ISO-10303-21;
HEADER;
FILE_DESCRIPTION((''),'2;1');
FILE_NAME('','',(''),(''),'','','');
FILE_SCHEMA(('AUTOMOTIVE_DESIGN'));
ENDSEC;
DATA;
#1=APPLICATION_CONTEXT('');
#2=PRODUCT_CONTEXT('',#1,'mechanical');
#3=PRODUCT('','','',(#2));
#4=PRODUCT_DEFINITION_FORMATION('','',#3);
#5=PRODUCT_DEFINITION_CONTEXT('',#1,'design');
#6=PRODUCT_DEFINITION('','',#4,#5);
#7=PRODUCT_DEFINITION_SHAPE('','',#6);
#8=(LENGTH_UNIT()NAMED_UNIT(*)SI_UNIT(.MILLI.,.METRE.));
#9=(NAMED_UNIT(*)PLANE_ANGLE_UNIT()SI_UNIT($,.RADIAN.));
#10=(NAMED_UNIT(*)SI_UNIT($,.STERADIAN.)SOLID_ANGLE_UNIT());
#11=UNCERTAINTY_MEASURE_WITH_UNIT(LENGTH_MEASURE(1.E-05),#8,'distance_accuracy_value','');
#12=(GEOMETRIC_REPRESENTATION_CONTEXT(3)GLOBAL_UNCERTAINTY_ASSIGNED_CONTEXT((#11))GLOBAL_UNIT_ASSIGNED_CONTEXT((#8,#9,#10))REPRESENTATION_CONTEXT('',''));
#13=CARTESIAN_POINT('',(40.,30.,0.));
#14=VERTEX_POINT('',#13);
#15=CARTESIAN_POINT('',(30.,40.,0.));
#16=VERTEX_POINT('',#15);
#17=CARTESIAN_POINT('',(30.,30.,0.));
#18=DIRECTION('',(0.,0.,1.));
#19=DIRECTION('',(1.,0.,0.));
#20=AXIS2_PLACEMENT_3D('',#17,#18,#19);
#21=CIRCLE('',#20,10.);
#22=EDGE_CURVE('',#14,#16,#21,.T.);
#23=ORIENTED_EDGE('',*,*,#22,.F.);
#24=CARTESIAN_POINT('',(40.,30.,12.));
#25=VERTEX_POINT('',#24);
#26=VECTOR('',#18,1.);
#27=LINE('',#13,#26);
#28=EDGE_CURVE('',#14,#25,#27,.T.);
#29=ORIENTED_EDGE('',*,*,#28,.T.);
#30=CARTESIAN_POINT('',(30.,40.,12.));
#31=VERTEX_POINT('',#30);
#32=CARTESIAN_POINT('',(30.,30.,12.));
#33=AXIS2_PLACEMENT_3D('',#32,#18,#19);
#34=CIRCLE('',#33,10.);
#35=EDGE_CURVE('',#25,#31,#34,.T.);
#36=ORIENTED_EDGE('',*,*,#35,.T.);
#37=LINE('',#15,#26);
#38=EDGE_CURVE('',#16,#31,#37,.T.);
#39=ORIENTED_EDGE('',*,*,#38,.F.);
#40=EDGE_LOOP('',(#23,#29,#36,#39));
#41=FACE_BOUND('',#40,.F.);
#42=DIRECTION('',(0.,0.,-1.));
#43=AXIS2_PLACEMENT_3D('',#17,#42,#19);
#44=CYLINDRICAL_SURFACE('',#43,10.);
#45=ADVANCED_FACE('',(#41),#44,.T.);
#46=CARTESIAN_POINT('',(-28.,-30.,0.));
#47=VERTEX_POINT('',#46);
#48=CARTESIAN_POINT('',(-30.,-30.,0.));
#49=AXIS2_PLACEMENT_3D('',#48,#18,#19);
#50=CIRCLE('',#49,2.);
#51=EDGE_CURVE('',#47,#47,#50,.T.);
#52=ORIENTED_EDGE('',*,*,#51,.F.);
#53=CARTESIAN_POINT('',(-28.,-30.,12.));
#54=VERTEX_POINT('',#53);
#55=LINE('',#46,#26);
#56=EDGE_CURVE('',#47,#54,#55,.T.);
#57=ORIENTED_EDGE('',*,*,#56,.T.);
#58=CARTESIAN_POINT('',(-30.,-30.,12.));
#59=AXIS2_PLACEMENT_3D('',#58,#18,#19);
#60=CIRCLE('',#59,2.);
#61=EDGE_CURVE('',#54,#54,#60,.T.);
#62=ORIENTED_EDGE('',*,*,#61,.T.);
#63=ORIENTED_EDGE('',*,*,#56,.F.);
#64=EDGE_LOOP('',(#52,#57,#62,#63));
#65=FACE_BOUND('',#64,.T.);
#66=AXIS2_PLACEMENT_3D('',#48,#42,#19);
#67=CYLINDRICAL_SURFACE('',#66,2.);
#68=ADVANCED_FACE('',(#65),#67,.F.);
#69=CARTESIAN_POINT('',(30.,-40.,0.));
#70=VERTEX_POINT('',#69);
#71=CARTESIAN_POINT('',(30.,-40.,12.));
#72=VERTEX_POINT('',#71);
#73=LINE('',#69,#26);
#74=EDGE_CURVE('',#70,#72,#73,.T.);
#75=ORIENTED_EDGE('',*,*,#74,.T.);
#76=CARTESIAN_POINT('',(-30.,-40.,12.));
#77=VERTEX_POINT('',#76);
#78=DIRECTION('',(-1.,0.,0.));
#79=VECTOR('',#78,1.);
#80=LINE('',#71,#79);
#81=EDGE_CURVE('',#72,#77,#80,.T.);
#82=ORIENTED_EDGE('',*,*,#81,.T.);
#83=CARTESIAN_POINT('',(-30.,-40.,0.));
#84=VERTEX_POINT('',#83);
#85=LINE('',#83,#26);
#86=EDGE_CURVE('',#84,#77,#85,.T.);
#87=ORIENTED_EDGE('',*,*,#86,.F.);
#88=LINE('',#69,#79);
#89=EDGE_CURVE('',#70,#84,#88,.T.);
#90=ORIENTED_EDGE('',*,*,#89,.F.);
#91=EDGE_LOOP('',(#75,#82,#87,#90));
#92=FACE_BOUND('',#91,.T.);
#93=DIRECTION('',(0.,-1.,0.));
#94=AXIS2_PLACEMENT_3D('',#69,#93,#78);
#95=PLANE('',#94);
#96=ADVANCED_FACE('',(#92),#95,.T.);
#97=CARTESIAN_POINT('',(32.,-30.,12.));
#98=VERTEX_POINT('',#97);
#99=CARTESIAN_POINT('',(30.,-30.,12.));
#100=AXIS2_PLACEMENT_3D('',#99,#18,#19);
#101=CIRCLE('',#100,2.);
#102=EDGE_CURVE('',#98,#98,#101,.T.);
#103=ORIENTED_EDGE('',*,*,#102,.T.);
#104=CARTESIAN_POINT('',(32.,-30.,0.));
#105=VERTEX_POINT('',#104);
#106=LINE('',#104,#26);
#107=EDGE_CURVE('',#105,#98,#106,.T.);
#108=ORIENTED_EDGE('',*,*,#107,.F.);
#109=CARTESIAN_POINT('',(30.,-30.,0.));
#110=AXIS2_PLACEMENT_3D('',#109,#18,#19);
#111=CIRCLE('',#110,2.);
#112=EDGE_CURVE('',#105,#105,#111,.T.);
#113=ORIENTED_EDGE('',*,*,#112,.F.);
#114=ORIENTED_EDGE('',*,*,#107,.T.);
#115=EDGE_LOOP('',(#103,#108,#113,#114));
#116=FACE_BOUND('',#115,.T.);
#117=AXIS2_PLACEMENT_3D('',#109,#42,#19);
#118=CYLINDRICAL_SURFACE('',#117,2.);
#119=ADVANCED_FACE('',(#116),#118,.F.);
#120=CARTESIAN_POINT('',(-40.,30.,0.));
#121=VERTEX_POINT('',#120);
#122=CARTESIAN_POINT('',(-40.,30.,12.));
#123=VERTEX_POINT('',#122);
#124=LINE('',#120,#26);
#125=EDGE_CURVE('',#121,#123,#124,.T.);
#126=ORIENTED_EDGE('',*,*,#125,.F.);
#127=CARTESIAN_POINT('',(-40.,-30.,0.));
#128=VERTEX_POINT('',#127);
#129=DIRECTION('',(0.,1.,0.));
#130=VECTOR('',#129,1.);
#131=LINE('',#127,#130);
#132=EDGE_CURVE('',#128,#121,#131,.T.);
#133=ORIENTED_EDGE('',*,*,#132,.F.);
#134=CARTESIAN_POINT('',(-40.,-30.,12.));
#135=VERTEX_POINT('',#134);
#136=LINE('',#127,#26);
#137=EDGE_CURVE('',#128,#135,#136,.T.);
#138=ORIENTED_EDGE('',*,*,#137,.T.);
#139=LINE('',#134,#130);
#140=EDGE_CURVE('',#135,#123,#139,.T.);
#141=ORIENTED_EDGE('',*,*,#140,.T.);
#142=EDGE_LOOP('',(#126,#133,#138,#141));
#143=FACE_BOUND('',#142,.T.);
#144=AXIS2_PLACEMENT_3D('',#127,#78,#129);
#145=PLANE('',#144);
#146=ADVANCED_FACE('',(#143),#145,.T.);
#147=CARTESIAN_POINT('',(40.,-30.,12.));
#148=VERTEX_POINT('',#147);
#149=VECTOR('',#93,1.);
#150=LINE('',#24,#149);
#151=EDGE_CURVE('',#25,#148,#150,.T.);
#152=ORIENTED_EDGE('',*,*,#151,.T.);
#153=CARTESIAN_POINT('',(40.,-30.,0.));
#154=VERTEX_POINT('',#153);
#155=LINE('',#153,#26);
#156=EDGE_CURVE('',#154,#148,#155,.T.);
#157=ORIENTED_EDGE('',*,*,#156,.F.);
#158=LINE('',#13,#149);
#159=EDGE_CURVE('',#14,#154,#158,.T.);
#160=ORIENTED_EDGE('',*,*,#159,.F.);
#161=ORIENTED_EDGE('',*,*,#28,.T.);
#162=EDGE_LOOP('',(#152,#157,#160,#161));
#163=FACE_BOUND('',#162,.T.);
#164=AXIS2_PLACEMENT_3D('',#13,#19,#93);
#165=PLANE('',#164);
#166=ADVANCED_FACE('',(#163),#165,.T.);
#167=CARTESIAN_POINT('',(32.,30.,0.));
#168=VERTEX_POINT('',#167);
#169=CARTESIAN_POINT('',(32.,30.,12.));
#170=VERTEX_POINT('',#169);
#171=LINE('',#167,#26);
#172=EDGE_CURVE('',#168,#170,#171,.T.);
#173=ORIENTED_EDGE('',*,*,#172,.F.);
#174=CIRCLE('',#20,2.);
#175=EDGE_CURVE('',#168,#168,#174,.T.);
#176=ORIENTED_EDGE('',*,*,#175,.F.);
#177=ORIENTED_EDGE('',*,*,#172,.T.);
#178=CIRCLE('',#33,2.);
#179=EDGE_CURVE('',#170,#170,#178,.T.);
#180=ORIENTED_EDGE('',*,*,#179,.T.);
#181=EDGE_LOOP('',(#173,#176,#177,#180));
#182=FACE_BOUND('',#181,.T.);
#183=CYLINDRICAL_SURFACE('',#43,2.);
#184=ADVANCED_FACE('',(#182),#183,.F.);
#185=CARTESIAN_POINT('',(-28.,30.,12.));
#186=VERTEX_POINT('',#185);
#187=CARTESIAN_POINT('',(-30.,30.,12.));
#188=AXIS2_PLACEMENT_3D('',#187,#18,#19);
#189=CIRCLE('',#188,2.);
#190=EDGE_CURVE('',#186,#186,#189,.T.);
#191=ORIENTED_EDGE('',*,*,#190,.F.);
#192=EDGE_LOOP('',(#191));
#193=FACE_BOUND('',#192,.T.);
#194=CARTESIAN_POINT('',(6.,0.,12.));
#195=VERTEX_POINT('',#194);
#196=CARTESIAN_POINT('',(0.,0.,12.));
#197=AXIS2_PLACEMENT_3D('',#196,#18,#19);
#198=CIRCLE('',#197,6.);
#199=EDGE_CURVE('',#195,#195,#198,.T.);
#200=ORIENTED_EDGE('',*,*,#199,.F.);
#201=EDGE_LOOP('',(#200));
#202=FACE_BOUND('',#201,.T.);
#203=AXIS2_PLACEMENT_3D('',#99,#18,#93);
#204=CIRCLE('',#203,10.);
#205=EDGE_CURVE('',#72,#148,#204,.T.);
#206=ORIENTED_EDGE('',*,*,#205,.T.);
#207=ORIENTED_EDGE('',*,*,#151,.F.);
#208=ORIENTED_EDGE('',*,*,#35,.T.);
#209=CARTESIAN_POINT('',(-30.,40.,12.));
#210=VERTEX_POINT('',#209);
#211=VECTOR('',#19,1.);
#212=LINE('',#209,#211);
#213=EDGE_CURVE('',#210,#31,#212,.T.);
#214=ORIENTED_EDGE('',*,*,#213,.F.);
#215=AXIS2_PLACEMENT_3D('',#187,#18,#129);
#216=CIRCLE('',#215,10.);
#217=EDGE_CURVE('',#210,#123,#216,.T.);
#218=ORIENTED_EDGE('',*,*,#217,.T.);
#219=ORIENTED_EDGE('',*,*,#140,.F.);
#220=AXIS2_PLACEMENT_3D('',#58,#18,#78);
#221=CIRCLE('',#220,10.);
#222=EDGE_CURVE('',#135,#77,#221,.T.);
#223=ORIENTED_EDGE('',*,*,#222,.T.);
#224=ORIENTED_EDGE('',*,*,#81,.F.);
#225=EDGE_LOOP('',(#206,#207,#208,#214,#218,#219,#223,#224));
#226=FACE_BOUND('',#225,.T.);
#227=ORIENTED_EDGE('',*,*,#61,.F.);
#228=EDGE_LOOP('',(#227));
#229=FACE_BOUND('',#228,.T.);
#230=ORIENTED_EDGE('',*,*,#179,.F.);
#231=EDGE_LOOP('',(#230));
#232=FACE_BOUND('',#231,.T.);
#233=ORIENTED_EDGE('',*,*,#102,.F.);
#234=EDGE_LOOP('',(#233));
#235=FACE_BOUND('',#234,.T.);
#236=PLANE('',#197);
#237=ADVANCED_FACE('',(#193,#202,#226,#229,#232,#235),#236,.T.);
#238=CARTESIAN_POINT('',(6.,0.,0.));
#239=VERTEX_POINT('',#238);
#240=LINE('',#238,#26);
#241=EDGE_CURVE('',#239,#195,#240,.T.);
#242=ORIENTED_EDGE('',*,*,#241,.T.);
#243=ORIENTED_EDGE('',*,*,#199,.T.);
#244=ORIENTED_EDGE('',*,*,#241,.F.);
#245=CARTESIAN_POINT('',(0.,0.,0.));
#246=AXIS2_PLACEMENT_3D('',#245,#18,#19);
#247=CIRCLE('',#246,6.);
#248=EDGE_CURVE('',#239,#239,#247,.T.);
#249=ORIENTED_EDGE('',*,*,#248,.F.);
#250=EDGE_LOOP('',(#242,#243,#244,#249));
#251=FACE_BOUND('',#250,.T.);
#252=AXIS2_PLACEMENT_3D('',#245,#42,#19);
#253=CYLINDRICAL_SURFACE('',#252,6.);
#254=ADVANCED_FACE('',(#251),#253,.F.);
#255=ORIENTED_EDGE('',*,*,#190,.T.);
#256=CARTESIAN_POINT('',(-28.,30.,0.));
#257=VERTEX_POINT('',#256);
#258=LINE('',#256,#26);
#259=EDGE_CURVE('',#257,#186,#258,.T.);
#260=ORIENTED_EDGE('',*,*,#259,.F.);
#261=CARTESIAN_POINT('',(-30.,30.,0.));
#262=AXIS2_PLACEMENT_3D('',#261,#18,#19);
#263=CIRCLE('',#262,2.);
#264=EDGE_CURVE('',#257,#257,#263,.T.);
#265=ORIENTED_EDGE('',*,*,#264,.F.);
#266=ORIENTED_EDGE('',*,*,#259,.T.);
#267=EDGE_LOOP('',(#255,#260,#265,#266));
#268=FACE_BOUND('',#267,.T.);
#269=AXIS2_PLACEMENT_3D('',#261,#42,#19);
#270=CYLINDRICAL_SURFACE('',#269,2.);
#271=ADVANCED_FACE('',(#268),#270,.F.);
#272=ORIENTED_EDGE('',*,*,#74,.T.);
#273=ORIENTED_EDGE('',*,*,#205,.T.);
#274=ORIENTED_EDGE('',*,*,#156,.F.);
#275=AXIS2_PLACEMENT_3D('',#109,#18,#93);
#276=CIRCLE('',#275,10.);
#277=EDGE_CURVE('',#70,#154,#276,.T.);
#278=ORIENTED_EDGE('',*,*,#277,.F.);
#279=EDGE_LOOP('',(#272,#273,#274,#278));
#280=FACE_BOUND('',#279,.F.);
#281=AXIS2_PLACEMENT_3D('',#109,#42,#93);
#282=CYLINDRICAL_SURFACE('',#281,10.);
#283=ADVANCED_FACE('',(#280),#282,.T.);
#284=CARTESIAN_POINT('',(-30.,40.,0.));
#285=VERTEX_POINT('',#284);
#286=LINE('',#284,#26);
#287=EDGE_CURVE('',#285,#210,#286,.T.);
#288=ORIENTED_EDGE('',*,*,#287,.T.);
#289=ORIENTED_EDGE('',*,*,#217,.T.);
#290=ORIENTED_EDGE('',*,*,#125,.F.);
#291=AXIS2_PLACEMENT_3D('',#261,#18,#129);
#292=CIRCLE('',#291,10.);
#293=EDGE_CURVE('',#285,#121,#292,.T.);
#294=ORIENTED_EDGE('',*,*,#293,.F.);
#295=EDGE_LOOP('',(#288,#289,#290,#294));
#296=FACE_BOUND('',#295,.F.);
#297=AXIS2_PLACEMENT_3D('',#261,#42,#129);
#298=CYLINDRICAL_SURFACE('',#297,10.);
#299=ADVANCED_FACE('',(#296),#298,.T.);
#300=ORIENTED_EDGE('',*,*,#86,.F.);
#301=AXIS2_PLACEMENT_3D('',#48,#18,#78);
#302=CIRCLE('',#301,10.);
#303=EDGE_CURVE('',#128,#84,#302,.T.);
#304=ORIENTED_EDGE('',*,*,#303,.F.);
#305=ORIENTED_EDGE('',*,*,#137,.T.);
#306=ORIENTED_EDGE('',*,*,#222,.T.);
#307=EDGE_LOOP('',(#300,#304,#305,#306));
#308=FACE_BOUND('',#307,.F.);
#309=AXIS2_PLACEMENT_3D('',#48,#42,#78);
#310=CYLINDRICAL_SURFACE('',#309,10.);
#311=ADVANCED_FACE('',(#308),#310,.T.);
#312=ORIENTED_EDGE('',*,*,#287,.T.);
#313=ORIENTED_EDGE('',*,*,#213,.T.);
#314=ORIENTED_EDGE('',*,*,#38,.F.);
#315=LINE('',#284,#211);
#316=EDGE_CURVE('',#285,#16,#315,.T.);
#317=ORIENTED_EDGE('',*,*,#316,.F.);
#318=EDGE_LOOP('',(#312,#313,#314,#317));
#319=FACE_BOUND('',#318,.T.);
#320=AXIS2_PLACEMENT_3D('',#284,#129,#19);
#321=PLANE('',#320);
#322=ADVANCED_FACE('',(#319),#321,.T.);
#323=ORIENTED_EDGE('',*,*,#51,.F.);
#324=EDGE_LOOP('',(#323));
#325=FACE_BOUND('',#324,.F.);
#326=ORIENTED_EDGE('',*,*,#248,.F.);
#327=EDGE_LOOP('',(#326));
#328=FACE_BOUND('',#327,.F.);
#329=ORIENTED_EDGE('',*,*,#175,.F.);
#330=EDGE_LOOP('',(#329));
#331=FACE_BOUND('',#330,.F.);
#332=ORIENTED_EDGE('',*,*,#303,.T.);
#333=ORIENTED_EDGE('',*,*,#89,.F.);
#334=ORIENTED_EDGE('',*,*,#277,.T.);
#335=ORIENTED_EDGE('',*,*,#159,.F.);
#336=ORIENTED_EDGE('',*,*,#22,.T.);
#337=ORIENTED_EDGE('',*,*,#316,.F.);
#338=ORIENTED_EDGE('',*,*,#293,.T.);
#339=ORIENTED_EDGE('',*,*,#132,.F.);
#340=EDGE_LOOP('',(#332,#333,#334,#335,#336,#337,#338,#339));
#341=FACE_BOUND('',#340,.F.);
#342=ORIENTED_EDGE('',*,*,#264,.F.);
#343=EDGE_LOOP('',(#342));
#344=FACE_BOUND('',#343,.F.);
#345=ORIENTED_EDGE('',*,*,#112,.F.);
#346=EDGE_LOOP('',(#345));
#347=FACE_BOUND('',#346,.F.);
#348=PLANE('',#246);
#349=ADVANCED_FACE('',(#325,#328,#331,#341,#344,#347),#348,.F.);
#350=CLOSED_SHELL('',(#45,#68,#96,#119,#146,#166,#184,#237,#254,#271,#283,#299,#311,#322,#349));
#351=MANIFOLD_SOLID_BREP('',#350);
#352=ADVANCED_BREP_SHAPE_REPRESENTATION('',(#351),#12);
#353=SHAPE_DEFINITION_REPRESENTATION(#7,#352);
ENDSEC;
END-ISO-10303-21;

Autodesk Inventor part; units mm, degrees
ref_plane "YZ Plane" through (0, 0, 0) normal (1, 0, 0) x (0, 1, 0)
ref_plane "XZ Plane" through (0, 0, 0) normal (0, 1, 0) x (-1, 0, 0)
ref_plane "Plano de trabalho1" through (0, 0, 0) normal (0, 0, 1) x (1, 0, 0)
sketch "Esboço1" plane through (0, 0, 0) normal (0, 0, 1) x (1, 0, 0)
  arc A0 (-40, -30) -> (-30, -40) centre (-30, -30) ccw
  line L0 (30, -40) -> (-30, -40)
  arc A1 (30, -40) -> (40, -30) centre (30, -30) ccw
  line L1 (40, 30) -> (40, -30)
  arc A2 (40, 30) -> (30, 40) centre (30, 30) ccw
  line L2 (-30, 40) -> (30, 40)
  arc A3 (-30, 40) -> (-40, 30) centre (-30, 30) ccw
  line L3 (-40, -30) -> (-40, 30)
  circle A4 centre (0, 0) radius 5
  circle A5 centre (0, 0) radius 6
  circle A6 centre (30, 30) radius 2
  circle A7 centre (30, -30) radius 2
  circle A8 centre (-30, -30) radius 2
  circle A9 centre (-30, 30) radius 2
  point P0 (0, 0)
  dimension "d0" = 12
  dimension "d3" = 4
  dimension "d4" = 4
  dimension "d5" = 4
  dimension "d6" = 4
  dimension "d7" = 80
extrude "Extrusão1" add sketch "Esboço1" along normal blind 12 contours L3 A3 L2 A2 L1 A1 L0 A0
equation "\"d3\" = d6"
equation "\"d4\" = d6"
equation "\"d5\" = d6"
properties part number "corpo_01b"
